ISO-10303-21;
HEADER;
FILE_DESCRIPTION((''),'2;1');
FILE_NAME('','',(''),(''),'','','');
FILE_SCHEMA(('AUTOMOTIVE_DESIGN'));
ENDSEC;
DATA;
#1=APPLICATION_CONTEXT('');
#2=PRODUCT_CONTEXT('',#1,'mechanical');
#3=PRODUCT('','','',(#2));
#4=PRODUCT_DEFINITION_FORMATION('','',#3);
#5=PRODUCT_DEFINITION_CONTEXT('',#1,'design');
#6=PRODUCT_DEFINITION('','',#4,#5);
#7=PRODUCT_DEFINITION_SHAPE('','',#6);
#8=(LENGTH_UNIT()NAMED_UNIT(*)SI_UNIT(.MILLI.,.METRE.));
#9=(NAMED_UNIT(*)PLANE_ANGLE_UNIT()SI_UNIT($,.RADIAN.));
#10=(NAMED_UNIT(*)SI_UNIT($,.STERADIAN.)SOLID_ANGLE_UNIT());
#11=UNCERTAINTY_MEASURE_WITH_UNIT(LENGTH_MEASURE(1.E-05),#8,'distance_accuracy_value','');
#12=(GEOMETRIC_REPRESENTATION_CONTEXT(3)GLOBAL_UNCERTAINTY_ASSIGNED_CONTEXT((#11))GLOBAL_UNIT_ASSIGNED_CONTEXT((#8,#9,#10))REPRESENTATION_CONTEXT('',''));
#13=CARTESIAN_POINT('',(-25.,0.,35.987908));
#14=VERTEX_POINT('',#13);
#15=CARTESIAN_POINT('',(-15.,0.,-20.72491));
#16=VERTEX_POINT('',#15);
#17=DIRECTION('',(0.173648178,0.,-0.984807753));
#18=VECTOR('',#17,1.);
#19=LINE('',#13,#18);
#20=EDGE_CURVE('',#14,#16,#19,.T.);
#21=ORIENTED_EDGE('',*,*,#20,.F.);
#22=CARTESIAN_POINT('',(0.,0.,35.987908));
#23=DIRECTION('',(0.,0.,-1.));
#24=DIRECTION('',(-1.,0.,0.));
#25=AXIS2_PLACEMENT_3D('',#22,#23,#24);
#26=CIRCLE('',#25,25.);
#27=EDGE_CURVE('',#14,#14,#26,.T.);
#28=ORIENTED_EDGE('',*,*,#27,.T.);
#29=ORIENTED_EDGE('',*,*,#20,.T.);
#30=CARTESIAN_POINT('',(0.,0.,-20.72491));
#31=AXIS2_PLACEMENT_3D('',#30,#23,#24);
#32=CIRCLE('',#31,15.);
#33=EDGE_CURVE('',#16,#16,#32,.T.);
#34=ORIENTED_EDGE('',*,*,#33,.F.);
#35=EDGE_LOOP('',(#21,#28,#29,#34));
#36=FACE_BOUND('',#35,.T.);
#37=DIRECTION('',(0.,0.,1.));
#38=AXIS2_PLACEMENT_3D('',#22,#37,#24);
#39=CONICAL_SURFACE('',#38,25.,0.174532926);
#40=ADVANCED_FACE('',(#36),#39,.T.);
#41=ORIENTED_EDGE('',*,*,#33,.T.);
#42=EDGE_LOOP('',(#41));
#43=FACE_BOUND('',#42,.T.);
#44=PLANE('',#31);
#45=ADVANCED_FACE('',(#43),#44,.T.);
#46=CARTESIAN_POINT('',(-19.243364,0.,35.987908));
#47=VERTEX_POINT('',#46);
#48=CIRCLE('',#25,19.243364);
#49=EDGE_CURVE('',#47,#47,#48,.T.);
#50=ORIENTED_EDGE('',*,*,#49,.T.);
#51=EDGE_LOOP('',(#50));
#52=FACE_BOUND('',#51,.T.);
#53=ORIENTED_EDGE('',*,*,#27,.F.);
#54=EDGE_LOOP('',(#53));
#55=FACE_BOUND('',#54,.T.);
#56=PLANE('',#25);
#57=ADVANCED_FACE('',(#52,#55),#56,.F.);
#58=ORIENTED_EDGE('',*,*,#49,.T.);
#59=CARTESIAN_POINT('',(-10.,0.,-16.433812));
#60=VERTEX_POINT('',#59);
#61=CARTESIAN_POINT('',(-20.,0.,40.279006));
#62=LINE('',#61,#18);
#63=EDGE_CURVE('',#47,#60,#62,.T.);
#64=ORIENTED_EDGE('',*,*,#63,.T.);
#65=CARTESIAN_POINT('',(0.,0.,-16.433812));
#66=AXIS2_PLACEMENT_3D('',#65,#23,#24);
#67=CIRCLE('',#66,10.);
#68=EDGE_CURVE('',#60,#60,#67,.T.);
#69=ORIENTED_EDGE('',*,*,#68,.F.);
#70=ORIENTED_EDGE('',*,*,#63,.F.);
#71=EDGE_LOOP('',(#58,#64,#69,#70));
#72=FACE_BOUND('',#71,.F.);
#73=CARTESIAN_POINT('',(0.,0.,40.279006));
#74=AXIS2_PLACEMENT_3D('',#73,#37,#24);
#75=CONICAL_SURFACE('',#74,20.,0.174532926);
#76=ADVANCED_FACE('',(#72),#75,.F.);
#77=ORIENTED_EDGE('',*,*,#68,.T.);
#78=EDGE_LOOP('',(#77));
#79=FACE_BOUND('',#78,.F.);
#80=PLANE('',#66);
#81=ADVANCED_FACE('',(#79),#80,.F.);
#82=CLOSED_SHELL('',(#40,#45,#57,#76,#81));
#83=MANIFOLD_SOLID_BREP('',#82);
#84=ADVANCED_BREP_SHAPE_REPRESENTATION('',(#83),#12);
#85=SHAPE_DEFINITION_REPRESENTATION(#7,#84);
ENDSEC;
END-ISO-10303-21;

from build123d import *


with BuildPart() as f1:
    # F0 (on Front) → F1 (revolve)
    with BuildSketch(Plane.XZ):
        Polygon((0, -20.72491), (0, 35.987908), (-25, 35.987908), (-15, -20.72491), align=None)
    revolve(axis=Axis((0, 0, 2.765891), (0, 0, -1)))

    # F2 (on Front) → F3 (revolve, cut)
    with BuildSketch(Plane.XZ):
        Polygon((0, -16.433812), (0, 40.279006), (-20, 40.279006), (-10, -16.433812), align=None)
    revolve(axis=Axis((0, 0, 3.789008), (0, 0, -1)), mode=Mode.SUBTRACT)


solid = f1.part
